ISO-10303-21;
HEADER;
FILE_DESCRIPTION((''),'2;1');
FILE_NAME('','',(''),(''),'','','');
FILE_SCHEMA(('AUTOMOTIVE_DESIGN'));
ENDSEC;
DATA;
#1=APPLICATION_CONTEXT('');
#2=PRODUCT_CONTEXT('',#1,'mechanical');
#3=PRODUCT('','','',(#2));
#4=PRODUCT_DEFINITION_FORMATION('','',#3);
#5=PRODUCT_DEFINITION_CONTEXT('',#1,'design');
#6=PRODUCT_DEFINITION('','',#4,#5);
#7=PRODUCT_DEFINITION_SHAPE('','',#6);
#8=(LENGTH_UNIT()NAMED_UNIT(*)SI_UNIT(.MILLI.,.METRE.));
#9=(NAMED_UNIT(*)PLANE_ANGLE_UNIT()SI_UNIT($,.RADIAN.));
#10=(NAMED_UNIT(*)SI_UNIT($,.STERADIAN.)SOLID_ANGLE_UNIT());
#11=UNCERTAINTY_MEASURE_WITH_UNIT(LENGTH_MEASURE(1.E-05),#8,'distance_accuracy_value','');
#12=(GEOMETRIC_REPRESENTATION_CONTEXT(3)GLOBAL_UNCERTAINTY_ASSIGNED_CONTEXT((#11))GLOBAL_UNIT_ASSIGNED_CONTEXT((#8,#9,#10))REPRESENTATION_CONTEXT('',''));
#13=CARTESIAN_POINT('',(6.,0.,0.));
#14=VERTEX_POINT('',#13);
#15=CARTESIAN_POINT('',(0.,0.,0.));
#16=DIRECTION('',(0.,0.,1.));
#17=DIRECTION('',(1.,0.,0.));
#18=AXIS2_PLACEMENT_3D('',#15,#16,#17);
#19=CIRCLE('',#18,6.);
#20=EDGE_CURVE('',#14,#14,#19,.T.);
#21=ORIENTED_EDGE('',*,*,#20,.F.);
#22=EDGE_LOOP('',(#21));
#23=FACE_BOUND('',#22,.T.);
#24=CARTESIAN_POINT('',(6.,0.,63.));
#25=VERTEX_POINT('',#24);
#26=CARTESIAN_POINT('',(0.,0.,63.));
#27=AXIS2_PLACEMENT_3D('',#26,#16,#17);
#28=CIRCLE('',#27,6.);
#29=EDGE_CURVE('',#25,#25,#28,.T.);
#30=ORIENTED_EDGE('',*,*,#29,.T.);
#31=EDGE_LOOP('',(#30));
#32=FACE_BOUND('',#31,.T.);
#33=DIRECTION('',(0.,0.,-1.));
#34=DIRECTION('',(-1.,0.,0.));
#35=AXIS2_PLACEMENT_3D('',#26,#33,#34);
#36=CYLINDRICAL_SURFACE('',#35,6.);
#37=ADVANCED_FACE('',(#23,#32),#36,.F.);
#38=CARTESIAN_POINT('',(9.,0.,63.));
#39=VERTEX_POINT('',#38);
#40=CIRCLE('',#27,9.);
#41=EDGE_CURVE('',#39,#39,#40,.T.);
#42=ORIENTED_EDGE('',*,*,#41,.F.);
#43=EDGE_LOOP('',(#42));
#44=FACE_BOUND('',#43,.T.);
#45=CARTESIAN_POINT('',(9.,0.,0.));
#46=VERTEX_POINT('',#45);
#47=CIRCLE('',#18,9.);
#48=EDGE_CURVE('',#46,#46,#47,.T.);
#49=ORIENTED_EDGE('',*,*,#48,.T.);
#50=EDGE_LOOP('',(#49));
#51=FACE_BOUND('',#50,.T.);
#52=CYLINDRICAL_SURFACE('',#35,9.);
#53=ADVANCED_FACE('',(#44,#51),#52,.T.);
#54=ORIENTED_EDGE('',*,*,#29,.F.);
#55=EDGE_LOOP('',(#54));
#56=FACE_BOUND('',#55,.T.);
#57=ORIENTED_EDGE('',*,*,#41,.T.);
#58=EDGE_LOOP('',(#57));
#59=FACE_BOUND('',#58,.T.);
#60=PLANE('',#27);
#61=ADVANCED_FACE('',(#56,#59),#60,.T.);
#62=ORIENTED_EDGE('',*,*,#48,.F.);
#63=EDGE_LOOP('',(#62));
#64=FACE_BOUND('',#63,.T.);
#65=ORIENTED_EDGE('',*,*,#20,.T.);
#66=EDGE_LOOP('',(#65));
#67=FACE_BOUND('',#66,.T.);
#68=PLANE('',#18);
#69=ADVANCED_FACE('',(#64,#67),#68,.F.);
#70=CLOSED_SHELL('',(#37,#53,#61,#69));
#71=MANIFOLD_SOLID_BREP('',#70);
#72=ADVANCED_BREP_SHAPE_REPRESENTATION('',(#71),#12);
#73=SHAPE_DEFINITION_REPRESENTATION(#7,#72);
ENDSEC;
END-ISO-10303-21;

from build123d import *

# Parameters (mm, degrees)
SZKIC1_R                    = 9
SZKIC1_R_2                  = 6
DODANIE_WYCI_GNI_CIE1_DEPTH = 63


with BuildPart() as part:
    # Szkic1 → Dodanie-wyciągnięcie1 (new body)
    with BuildSketch(Plane.XY):
        Circle(SZKIC1_R)
        Circle(SZKIC1_R_2, mode=Mode.SUBTRACT)
    extrude(amount=DODANIE_WYCI_GNI_CIE1_DEPTH)


solid = part.part
